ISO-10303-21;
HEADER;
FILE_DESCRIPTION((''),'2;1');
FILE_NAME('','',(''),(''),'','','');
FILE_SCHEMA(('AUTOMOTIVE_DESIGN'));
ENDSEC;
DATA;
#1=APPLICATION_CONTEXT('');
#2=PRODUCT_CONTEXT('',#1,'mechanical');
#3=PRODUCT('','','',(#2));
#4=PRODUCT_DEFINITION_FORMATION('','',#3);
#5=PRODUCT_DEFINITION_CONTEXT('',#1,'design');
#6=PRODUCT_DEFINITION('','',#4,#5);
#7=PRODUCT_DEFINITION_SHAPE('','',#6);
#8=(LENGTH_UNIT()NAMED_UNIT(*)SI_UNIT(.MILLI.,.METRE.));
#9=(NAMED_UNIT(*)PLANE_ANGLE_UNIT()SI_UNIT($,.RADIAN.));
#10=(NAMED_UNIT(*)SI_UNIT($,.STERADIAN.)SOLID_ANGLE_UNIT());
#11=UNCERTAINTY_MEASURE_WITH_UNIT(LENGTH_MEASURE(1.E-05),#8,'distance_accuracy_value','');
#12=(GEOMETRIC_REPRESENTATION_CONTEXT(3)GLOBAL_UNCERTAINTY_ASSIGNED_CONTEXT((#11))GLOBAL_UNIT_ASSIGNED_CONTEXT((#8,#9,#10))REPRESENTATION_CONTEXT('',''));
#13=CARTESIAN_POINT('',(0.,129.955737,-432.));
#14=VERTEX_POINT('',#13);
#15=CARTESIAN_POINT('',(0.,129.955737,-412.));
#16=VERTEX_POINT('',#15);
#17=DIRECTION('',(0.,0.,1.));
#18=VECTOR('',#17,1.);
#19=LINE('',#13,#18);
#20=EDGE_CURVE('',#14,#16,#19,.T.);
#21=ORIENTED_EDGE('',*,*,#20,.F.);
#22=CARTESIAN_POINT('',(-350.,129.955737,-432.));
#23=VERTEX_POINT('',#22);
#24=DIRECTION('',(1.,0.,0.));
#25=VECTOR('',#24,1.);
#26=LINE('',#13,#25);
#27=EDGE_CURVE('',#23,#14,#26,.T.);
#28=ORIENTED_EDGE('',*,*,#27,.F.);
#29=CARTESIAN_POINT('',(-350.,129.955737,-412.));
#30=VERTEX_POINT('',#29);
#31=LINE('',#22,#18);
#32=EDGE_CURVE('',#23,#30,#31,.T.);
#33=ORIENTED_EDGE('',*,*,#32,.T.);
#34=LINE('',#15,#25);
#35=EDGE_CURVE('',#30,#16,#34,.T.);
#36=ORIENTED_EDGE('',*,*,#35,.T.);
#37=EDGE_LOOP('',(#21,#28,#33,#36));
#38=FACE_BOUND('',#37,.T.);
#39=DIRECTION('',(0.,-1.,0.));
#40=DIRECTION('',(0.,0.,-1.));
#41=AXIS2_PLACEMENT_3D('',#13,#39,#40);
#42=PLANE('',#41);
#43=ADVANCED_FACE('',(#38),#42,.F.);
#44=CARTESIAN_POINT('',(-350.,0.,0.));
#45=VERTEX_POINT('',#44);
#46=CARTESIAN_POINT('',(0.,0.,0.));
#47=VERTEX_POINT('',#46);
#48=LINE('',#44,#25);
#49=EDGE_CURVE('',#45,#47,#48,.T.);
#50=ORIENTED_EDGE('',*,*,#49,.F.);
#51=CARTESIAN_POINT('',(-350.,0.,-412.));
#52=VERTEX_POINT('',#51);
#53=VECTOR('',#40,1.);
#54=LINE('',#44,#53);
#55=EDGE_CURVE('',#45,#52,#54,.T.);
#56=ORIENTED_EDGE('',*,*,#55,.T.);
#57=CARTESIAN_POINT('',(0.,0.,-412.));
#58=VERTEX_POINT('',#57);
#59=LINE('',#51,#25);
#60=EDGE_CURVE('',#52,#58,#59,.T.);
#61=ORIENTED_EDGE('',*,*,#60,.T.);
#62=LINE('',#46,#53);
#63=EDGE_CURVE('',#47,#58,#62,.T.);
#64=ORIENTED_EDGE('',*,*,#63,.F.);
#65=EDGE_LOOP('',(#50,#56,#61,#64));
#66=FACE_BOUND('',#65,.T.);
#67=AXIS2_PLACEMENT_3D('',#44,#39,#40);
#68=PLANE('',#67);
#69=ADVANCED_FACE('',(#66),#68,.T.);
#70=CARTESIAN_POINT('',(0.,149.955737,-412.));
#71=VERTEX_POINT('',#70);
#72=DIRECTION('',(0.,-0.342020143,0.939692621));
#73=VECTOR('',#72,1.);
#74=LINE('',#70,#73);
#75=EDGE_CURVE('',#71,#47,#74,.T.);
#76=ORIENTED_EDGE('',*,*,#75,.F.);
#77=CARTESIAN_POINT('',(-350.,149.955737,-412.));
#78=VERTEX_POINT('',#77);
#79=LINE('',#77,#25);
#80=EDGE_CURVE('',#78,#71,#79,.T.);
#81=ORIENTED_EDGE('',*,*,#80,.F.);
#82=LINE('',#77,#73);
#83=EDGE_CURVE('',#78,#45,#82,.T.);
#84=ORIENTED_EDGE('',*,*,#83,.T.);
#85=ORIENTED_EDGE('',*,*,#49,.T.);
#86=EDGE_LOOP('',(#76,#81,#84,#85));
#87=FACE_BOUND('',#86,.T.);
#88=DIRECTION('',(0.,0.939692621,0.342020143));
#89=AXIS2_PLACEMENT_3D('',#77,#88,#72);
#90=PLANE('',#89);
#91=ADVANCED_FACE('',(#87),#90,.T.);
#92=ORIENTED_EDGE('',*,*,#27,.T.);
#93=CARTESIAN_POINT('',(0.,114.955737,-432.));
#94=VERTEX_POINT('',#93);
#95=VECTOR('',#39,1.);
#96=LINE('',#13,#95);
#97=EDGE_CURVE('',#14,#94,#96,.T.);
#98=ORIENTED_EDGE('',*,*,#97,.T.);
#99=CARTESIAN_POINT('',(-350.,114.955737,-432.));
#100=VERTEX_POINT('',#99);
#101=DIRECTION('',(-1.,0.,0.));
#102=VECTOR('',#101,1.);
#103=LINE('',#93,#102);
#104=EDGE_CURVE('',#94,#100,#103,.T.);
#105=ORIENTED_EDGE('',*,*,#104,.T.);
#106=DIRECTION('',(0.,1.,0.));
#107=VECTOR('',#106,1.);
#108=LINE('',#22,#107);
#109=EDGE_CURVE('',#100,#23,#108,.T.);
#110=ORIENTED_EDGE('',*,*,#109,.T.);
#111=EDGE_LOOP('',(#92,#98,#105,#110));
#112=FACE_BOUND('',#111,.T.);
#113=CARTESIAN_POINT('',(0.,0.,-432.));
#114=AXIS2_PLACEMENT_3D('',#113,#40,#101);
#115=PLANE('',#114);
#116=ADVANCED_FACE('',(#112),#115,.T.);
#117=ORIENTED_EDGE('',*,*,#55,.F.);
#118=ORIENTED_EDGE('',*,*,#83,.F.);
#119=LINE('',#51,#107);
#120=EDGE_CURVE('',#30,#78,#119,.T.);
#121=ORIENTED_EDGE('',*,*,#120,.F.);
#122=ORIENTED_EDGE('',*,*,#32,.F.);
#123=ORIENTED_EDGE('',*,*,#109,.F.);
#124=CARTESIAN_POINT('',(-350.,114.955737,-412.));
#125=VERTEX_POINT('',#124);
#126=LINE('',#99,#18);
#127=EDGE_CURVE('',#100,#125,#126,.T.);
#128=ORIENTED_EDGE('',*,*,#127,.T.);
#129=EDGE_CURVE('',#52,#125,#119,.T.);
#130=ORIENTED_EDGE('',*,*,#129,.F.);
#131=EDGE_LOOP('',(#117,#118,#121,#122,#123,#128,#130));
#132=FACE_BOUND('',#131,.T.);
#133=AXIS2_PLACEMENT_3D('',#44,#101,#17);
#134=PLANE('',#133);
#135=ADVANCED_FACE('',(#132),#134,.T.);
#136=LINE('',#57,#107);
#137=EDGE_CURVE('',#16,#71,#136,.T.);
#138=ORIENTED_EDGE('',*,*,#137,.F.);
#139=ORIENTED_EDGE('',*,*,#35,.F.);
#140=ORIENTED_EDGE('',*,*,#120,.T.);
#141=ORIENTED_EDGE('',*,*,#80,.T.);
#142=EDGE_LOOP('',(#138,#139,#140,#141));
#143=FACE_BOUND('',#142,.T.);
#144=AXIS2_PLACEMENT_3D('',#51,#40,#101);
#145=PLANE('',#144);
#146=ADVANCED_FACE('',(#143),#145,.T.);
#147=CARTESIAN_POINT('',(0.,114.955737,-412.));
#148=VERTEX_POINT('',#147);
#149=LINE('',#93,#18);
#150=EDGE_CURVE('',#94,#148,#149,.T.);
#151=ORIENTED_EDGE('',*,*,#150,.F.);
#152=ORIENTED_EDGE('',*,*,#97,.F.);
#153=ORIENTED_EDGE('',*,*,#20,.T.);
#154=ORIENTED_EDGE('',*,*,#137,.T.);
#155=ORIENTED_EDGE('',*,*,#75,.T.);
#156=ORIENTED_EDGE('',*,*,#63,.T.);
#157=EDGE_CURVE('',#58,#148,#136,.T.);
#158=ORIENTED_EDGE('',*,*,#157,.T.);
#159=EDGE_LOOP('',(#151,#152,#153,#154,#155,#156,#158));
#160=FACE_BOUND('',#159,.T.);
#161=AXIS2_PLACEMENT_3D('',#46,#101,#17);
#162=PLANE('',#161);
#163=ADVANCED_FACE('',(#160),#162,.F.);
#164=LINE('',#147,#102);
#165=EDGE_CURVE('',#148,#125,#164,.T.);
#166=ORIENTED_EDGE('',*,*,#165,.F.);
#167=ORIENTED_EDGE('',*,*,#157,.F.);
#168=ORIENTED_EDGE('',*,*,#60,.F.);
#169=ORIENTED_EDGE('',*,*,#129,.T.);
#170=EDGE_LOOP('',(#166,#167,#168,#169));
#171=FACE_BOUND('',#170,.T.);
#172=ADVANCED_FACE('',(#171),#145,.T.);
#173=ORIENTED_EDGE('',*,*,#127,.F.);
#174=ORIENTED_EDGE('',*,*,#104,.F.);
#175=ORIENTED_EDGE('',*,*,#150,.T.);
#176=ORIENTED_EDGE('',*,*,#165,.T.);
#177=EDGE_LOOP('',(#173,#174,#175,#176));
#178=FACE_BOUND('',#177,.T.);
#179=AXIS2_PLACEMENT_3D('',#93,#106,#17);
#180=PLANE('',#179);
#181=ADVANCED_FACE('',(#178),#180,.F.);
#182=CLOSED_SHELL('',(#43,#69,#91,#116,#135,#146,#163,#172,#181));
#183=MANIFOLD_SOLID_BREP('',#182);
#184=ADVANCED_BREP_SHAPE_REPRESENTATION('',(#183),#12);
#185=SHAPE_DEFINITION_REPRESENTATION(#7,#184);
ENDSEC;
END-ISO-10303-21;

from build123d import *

# Parameters (mm, degrees)
BOSS_EXTRUDE1_DEPTH = 350
SKETCH3_W           = 350
SKETCH3_H           = 15
BOSS_EXTRUDE2_DEPTH = 20


with BuildPart() as part:
    # Sketch1 → Boss-Extrude1 (new body)
    with BuildSketch(Plane(origin=(0, 0, 0), x_dir=(0, 0, -1), z_dir=(1, 0, 0))):
        Polygon((0, 0), (412, 0), (412, 149.955736518), align=None)
    extrude(amount=-BOSS_EXTRUDE1_DEPTH)

    # Sketch3 → Boss-Extrude2 (add)
    with BuildSketch(Plane(origin=(0, 0, -412), x_dir=(-1, 0, 0), z_dir=(0, 0, -1))):
        with Locations((175, 122.455736518)):
            Rectangle(SKETCH3_W, SKETCH3_H)
    extrude(amount=BOSS_EXTRUDE2_DEPTH)


solid = part.part
